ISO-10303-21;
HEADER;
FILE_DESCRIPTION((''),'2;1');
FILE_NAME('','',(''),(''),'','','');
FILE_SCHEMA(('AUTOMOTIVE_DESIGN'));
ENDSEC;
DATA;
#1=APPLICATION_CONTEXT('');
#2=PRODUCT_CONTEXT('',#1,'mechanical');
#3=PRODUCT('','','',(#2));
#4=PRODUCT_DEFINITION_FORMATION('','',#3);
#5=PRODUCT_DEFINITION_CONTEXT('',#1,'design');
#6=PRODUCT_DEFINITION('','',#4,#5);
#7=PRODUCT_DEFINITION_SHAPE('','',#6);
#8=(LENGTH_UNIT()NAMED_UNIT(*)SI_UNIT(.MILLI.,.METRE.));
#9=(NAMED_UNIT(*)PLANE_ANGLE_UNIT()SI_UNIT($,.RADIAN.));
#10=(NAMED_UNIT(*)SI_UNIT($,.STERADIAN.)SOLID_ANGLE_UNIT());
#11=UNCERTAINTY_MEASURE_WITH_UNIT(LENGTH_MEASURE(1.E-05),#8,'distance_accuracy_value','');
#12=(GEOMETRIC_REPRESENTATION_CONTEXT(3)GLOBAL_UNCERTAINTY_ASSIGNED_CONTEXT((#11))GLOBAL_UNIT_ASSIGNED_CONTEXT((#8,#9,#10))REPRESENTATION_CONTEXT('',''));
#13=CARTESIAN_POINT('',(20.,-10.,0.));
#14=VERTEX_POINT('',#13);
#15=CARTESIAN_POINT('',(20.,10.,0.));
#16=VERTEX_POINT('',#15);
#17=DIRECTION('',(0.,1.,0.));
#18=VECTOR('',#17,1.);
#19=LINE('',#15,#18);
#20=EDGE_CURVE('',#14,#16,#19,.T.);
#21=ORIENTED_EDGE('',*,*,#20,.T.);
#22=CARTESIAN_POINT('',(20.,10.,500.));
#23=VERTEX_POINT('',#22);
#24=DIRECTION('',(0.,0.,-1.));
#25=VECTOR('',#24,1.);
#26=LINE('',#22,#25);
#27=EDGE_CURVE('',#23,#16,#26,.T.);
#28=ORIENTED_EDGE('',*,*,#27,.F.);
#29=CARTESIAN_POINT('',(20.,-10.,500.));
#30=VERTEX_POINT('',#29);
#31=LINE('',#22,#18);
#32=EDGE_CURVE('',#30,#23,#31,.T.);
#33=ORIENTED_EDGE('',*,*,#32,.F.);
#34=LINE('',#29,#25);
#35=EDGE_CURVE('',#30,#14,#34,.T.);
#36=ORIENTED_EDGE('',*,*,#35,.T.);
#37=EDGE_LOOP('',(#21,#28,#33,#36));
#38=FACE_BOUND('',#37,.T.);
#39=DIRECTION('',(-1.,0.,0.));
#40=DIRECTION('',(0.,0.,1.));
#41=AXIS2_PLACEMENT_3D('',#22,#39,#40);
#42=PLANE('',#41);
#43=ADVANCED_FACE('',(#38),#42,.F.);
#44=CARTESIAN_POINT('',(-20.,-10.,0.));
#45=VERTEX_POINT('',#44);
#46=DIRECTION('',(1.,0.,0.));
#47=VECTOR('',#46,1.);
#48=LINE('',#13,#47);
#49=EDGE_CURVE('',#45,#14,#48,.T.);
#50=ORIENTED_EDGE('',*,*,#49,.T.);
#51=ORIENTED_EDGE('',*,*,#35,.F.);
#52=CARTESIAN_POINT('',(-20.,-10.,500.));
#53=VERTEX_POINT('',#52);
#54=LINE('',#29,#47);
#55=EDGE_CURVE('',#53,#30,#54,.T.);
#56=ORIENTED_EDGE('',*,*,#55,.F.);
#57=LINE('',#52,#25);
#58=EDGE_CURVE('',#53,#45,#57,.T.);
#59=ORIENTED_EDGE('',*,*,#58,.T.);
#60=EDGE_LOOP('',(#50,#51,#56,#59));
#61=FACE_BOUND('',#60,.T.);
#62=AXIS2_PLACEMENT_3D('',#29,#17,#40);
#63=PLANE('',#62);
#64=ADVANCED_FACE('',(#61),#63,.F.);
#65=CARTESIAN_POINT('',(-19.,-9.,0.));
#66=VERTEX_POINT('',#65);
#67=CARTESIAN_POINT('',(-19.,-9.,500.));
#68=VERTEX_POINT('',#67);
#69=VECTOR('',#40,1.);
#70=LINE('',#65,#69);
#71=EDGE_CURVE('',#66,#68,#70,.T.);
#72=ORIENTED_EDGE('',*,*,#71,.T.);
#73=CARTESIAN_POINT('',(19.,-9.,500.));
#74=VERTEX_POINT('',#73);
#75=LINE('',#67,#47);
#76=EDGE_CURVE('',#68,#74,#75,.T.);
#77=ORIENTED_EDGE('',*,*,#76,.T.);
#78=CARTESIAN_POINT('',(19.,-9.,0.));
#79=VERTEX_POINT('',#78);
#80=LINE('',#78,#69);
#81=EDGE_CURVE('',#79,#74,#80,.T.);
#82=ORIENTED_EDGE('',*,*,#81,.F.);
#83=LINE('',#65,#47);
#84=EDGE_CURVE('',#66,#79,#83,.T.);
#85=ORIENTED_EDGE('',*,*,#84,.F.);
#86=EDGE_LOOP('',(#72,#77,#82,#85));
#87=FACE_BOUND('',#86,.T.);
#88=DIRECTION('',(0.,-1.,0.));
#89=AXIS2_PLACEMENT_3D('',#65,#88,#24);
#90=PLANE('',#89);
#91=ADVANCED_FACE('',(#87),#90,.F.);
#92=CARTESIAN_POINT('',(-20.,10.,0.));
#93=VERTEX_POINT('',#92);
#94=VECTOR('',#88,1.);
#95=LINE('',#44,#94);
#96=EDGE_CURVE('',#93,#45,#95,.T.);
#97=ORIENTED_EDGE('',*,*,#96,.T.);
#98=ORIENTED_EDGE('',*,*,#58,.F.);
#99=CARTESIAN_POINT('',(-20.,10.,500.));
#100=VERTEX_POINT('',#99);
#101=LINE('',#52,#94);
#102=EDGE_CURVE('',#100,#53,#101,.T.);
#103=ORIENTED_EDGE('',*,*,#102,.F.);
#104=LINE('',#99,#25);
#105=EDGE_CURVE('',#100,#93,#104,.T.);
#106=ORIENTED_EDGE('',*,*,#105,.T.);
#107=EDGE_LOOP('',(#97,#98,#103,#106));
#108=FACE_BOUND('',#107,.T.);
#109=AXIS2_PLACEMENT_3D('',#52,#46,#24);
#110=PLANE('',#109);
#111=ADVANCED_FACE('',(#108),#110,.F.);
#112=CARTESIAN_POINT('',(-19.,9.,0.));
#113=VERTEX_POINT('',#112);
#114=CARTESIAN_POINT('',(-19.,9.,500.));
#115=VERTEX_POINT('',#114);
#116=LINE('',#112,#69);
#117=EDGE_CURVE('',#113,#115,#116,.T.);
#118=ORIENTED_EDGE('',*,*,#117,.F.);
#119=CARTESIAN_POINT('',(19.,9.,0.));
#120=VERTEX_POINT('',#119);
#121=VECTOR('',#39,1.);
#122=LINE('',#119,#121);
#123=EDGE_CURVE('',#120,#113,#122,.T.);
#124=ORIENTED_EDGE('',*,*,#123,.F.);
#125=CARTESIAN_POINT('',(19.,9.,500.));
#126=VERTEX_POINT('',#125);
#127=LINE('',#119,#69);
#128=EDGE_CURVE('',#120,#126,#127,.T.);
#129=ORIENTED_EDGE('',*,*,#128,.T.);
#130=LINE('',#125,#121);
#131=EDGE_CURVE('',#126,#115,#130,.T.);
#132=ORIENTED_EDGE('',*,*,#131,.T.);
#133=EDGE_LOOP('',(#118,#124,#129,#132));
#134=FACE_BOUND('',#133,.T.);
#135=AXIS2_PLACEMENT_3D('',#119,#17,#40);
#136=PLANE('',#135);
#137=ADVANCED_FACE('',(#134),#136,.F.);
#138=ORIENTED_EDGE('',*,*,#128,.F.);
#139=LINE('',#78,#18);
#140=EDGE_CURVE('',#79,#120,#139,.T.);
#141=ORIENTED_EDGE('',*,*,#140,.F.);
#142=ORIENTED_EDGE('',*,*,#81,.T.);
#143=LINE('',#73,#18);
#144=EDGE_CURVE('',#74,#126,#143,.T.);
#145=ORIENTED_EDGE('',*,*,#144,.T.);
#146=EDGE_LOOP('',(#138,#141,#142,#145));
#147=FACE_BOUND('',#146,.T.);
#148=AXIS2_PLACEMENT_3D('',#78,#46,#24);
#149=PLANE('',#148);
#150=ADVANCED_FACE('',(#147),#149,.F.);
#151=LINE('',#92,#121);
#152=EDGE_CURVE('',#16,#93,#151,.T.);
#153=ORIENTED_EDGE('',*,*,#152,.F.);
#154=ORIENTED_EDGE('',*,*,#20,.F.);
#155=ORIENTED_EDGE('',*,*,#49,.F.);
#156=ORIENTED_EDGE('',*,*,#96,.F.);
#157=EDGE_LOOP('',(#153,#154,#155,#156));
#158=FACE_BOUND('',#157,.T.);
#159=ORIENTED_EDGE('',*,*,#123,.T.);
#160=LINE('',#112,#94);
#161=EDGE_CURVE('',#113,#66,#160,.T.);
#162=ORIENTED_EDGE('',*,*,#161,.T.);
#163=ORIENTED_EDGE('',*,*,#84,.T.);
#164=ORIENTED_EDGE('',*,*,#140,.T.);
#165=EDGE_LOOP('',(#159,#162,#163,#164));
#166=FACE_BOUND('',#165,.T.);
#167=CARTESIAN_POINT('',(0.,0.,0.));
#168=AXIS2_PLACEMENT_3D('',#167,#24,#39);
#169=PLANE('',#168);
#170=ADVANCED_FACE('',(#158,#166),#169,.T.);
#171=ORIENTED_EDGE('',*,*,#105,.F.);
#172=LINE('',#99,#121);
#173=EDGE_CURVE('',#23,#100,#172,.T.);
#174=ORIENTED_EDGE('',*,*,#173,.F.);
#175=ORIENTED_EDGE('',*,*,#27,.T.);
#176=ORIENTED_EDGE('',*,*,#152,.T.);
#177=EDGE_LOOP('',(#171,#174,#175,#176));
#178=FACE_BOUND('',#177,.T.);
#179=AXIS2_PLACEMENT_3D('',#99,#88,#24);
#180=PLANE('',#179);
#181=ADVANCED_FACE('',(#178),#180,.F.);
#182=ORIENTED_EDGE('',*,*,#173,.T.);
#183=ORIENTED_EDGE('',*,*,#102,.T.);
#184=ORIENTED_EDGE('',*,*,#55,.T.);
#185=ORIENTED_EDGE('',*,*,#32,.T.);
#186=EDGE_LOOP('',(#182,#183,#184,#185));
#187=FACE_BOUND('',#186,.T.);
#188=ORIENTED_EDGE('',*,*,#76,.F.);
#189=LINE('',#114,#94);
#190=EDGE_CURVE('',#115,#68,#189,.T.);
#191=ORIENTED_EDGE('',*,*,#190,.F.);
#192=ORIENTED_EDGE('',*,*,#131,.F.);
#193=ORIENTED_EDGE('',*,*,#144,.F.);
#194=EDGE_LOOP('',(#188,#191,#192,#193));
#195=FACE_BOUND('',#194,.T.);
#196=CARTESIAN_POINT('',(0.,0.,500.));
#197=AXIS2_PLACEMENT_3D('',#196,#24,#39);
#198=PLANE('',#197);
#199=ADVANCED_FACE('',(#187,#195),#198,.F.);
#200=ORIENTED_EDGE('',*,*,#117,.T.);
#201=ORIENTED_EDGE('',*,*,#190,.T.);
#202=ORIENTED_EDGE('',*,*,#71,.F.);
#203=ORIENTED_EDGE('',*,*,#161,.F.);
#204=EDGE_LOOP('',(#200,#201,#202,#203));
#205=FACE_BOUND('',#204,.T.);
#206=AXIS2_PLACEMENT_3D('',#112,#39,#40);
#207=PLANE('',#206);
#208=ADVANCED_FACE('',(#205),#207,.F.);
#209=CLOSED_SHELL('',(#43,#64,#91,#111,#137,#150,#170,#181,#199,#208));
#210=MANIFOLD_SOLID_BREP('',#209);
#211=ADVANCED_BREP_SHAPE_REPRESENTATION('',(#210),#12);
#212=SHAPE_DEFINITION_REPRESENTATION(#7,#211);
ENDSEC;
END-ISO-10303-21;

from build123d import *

# Parameters (mm, degrees)
SKETCH1_W           = 40
SKETCH1_H           = 20
BOSS_EXTRUDE1_DEPTH = 500
SKETCH2_W           = 38
SKETCH2_H           = 18
CUT_EXTRUDE1_DEPTH  = 501


with BuildPart() as part:
    # Sketch1 → Boss-Extrude1 (new body)
    with BuildSketch(Plane.XY):
        Rectangle(SKETCH1_W, SKETCH1_H)
    extrude(amount=BOSS_EXTRUDE1_DEPTH)

    # Sketch2 → Cut-Extrude1 (cut, through all)
    with BuildSketch(Plane.XY.offset(500)):
        Rectangle(SKETCH2_W, SKETCH2_H)
    extrude(amount=-CUT_EXTRUDE1_DEPTH, mode=Mode.SUBTRACT)


solid = part.part
